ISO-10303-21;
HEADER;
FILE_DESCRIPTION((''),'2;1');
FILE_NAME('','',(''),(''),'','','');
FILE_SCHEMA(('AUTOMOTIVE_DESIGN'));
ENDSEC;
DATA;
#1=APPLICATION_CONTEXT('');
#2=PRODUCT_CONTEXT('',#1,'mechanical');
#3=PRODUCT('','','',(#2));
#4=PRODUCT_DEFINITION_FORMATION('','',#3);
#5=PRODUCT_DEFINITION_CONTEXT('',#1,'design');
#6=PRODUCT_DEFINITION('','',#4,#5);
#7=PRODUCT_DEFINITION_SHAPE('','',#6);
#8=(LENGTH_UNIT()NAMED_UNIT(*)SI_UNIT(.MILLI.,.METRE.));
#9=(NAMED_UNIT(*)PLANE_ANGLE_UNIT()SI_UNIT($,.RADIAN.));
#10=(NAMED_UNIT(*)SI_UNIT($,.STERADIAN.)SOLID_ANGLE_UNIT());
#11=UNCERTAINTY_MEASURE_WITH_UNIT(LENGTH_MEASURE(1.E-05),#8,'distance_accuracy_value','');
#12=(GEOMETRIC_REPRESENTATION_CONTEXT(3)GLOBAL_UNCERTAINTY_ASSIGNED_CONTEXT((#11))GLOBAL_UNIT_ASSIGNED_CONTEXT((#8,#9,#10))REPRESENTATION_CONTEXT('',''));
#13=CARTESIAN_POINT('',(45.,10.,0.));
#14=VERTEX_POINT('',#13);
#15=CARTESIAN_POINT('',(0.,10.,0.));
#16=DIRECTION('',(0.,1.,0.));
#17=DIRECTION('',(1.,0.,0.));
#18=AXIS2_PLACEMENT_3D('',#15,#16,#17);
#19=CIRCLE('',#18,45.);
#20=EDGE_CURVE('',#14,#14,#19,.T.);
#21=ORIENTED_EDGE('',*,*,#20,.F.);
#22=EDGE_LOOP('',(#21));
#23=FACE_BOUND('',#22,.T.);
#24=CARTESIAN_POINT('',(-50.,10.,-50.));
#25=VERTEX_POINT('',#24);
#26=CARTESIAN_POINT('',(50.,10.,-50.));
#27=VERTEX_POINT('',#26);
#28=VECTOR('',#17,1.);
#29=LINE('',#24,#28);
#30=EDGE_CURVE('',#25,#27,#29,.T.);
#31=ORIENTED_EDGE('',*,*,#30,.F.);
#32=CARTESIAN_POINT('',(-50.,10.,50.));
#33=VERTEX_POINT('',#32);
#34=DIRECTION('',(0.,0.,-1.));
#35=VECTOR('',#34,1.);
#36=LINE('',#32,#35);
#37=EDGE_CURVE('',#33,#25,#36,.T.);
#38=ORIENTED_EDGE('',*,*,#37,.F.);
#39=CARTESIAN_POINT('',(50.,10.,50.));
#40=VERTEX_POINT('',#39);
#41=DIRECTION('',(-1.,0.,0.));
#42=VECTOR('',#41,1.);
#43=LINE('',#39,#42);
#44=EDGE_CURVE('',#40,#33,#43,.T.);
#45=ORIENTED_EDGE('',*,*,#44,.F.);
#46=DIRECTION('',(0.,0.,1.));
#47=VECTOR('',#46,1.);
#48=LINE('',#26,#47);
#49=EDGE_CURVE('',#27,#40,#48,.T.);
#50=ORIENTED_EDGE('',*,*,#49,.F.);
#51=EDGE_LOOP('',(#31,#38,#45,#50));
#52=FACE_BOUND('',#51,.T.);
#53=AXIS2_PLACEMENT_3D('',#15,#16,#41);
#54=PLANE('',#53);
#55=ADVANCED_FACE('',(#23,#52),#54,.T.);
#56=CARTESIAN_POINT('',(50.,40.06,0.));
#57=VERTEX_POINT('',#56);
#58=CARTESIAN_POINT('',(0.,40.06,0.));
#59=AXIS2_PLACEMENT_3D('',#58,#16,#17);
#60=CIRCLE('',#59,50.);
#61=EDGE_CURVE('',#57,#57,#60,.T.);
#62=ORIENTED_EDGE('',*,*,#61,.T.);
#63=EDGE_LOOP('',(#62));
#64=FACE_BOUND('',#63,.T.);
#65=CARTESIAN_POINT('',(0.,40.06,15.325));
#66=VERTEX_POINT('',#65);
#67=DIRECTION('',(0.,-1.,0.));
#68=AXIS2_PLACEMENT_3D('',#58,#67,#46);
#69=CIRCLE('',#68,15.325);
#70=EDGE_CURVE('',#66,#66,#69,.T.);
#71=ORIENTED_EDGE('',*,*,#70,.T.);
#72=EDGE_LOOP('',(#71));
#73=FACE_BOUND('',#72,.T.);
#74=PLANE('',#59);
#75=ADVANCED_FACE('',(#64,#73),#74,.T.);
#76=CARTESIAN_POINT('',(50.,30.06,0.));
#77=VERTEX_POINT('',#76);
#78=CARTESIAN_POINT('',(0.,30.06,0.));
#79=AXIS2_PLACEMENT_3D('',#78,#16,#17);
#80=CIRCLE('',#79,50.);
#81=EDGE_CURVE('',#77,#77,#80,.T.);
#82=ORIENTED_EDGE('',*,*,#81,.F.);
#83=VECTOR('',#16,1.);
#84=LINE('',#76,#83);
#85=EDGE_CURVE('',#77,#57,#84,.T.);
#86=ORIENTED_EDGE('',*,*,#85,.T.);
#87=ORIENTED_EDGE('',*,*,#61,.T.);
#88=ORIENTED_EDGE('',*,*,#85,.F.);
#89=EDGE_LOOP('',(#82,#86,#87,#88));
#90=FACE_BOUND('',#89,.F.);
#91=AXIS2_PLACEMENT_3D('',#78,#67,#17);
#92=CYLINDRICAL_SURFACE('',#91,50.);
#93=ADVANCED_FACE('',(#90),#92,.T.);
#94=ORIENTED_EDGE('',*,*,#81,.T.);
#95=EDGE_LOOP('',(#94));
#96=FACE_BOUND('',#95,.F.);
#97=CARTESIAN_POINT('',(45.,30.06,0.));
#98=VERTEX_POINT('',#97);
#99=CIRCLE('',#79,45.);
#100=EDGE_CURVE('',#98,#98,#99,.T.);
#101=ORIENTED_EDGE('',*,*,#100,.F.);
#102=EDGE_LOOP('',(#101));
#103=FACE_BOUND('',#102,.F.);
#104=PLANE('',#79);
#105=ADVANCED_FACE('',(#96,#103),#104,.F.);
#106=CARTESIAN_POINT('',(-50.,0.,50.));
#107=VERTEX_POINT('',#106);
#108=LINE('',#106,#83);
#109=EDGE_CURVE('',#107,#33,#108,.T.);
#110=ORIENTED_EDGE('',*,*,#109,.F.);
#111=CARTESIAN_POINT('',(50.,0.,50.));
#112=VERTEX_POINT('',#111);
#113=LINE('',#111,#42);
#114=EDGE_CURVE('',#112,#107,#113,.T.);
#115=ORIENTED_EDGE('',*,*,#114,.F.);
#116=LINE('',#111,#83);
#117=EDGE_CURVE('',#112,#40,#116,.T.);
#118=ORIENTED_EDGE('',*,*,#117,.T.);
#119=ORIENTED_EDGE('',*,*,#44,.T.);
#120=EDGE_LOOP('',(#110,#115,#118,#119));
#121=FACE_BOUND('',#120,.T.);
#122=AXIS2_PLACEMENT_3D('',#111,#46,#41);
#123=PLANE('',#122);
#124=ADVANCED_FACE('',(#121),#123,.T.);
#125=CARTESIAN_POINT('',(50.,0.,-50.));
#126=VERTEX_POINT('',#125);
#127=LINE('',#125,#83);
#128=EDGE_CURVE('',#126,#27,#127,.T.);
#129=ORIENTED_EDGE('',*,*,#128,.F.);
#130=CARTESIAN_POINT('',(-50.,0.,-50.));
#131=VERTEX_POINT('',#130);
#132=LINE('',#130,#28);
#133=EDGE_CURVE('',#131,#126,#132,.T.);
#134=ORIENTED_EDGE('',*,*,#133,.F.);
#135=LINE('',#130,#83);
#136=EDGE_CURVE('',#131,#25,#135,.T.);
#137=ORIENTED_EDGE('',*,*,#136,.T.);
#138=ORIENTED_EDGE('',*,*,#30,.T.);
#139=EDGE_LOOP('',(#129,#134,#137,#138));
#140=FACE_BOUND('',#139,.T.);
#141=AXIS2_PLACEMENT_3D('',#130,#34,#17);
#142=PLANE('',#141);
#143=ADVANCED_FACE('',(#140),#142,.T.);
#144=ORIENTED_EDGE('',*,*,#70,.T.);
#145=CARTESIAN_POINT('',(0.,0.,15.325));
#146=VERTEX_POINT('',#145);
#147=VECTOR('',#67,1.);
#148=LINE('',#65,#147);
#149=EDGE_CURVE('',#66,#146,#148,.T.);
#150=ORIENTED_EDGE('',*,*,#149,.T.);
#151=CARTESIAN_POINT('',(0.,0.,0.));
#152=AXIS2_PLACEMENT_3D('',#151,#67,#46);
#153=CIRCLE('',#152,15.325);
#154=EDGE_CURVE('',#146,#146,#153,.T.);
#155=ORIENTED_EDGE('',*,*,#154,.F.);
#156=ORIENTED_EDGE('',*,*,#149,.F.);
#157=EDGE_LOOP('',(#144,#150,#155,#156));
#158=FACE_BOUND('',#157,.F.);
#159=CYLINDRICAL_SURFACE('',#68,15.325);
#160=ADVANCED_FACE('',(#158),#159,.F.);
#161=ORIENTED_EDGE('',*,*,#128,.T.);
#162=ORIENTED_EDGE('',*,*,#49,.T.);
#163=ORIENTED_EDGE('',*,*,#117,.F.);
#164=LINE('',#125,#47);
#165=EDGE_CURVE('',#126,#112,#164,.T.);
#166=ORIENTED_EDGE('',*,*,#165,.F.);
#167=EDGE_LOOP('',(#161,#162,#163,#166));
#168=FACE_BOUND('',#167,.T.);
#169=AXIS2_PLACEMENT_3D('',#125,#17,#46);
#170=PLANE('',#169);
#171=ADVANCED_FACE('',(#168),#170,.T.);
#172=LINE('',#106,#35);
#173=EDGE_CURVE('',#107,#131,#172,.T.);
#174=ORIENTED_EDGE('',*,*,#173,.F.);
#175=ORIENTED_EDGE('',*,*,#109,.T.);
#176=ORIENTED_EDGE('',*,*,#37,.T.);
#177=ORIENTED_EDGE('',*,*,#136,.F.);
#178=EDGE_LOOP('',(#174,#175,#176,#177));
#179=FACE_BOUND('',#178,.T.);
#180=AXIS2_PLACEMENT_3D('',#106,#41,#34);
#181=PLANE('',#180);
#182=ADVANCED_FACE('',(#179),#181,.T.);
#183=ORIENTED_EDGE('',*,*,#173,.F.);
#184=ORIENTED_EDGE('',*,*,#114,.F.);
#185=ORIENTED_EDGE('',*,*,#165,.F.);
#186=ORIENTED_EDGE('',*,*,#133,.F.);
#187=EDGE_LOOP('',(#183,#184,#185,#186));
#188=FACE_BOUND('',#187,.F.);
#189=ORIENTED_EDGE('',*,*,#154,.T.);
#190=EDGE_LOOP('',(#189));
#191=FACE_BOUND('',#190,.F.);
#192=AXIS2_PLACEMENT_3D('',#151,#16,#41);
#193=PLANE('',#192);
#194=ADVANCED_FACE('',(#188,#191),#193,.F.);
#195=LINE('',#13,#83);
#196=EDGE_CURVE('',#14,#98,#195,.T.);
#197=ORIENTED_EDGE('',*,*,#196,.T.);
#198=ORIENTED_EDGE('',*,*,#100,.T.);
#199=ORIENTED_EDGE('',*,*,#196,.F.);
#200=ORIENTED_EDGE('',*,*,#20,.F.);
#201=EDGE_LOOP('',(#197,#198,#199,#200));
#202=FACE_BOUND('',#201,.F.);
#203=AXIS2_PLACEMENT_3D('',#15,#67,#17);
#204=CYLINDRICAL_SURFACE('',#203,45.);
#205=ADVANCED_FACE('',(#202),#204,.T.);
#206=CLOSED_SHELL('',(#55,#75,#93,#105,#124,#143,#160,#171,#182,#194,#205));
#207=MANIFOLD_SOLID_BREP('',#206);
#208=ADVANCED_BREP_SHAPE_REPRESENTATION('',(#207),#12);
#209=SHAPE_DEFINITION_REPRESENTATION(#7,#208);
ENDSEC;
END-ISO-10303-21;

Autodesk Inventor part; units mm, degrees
ref_plane "YZ Plane" through (0, 0, 0) normal (1, 0, 0) x (0, 1, 0)
ref_plane "XZ Plane" through (0, 0, 0) normal (0, 1, 0) x (-1, 0, 0)
ref_plane "XY Plane" through (0, 0, 0) normal (0, 0, 1) x (1, 0, 0)
sketch "Boceto1" plane through (0, 0, 0) normal (0, 1, 0) x (-1, 0, 0)
  line L0 (-50, 50) -> (50, 50)
  line L1 (50, 50) -> (50, -50)
  line L2 (50, -50) -> (-50, -50)
  line L3 (-50, -50) -> (-50, 50)
  line L4 (-50, 50) -> (50, -50) construction
  line L5 (50, 50) -> (-50, -50) construction
  point P0 (0, 0)
  dimension "d0" = 100
  dimension "d1" = 100
extrude "Extrusión1" add sketch "Boceto1" along normal blind 10
sketch "Boceto3" plane through (0, 10, 0) normal (0, 1, 0) x (1, 0, 0)
  point P0 (0, 0)
sketch "Boceto4" plane through (0, 10, 0) normal (0, 1, 0) x (1, 0, 0)
  circle A0 centre (0, 0) radius 45
  dimension "d5" = 90
extrude "Extrusión2" add sketch "Boceto4" along normal blind 20.06
sketch "Boceto5" plane through (0, 30.06, 0) normal (0, 1, 0) x (1, 0, 0)
  circle A0 centre (0, 0) radius 50
extrude "Extrusión3" add sketch "Boceto5" along normal blind 10
sketch "Boceto6" plane through (0, 40.06, 0) normal (0, 1, 0) x (1, 0, 0)
  circle A0 centre (0, 0) radius 15.325
  dimension "d10" = 30.65
hole "Agujero1" at (0, 40.06, 0) direction (0, -1, 0) diameter 30.65 end through all
properties part number "base de las bobinas"
